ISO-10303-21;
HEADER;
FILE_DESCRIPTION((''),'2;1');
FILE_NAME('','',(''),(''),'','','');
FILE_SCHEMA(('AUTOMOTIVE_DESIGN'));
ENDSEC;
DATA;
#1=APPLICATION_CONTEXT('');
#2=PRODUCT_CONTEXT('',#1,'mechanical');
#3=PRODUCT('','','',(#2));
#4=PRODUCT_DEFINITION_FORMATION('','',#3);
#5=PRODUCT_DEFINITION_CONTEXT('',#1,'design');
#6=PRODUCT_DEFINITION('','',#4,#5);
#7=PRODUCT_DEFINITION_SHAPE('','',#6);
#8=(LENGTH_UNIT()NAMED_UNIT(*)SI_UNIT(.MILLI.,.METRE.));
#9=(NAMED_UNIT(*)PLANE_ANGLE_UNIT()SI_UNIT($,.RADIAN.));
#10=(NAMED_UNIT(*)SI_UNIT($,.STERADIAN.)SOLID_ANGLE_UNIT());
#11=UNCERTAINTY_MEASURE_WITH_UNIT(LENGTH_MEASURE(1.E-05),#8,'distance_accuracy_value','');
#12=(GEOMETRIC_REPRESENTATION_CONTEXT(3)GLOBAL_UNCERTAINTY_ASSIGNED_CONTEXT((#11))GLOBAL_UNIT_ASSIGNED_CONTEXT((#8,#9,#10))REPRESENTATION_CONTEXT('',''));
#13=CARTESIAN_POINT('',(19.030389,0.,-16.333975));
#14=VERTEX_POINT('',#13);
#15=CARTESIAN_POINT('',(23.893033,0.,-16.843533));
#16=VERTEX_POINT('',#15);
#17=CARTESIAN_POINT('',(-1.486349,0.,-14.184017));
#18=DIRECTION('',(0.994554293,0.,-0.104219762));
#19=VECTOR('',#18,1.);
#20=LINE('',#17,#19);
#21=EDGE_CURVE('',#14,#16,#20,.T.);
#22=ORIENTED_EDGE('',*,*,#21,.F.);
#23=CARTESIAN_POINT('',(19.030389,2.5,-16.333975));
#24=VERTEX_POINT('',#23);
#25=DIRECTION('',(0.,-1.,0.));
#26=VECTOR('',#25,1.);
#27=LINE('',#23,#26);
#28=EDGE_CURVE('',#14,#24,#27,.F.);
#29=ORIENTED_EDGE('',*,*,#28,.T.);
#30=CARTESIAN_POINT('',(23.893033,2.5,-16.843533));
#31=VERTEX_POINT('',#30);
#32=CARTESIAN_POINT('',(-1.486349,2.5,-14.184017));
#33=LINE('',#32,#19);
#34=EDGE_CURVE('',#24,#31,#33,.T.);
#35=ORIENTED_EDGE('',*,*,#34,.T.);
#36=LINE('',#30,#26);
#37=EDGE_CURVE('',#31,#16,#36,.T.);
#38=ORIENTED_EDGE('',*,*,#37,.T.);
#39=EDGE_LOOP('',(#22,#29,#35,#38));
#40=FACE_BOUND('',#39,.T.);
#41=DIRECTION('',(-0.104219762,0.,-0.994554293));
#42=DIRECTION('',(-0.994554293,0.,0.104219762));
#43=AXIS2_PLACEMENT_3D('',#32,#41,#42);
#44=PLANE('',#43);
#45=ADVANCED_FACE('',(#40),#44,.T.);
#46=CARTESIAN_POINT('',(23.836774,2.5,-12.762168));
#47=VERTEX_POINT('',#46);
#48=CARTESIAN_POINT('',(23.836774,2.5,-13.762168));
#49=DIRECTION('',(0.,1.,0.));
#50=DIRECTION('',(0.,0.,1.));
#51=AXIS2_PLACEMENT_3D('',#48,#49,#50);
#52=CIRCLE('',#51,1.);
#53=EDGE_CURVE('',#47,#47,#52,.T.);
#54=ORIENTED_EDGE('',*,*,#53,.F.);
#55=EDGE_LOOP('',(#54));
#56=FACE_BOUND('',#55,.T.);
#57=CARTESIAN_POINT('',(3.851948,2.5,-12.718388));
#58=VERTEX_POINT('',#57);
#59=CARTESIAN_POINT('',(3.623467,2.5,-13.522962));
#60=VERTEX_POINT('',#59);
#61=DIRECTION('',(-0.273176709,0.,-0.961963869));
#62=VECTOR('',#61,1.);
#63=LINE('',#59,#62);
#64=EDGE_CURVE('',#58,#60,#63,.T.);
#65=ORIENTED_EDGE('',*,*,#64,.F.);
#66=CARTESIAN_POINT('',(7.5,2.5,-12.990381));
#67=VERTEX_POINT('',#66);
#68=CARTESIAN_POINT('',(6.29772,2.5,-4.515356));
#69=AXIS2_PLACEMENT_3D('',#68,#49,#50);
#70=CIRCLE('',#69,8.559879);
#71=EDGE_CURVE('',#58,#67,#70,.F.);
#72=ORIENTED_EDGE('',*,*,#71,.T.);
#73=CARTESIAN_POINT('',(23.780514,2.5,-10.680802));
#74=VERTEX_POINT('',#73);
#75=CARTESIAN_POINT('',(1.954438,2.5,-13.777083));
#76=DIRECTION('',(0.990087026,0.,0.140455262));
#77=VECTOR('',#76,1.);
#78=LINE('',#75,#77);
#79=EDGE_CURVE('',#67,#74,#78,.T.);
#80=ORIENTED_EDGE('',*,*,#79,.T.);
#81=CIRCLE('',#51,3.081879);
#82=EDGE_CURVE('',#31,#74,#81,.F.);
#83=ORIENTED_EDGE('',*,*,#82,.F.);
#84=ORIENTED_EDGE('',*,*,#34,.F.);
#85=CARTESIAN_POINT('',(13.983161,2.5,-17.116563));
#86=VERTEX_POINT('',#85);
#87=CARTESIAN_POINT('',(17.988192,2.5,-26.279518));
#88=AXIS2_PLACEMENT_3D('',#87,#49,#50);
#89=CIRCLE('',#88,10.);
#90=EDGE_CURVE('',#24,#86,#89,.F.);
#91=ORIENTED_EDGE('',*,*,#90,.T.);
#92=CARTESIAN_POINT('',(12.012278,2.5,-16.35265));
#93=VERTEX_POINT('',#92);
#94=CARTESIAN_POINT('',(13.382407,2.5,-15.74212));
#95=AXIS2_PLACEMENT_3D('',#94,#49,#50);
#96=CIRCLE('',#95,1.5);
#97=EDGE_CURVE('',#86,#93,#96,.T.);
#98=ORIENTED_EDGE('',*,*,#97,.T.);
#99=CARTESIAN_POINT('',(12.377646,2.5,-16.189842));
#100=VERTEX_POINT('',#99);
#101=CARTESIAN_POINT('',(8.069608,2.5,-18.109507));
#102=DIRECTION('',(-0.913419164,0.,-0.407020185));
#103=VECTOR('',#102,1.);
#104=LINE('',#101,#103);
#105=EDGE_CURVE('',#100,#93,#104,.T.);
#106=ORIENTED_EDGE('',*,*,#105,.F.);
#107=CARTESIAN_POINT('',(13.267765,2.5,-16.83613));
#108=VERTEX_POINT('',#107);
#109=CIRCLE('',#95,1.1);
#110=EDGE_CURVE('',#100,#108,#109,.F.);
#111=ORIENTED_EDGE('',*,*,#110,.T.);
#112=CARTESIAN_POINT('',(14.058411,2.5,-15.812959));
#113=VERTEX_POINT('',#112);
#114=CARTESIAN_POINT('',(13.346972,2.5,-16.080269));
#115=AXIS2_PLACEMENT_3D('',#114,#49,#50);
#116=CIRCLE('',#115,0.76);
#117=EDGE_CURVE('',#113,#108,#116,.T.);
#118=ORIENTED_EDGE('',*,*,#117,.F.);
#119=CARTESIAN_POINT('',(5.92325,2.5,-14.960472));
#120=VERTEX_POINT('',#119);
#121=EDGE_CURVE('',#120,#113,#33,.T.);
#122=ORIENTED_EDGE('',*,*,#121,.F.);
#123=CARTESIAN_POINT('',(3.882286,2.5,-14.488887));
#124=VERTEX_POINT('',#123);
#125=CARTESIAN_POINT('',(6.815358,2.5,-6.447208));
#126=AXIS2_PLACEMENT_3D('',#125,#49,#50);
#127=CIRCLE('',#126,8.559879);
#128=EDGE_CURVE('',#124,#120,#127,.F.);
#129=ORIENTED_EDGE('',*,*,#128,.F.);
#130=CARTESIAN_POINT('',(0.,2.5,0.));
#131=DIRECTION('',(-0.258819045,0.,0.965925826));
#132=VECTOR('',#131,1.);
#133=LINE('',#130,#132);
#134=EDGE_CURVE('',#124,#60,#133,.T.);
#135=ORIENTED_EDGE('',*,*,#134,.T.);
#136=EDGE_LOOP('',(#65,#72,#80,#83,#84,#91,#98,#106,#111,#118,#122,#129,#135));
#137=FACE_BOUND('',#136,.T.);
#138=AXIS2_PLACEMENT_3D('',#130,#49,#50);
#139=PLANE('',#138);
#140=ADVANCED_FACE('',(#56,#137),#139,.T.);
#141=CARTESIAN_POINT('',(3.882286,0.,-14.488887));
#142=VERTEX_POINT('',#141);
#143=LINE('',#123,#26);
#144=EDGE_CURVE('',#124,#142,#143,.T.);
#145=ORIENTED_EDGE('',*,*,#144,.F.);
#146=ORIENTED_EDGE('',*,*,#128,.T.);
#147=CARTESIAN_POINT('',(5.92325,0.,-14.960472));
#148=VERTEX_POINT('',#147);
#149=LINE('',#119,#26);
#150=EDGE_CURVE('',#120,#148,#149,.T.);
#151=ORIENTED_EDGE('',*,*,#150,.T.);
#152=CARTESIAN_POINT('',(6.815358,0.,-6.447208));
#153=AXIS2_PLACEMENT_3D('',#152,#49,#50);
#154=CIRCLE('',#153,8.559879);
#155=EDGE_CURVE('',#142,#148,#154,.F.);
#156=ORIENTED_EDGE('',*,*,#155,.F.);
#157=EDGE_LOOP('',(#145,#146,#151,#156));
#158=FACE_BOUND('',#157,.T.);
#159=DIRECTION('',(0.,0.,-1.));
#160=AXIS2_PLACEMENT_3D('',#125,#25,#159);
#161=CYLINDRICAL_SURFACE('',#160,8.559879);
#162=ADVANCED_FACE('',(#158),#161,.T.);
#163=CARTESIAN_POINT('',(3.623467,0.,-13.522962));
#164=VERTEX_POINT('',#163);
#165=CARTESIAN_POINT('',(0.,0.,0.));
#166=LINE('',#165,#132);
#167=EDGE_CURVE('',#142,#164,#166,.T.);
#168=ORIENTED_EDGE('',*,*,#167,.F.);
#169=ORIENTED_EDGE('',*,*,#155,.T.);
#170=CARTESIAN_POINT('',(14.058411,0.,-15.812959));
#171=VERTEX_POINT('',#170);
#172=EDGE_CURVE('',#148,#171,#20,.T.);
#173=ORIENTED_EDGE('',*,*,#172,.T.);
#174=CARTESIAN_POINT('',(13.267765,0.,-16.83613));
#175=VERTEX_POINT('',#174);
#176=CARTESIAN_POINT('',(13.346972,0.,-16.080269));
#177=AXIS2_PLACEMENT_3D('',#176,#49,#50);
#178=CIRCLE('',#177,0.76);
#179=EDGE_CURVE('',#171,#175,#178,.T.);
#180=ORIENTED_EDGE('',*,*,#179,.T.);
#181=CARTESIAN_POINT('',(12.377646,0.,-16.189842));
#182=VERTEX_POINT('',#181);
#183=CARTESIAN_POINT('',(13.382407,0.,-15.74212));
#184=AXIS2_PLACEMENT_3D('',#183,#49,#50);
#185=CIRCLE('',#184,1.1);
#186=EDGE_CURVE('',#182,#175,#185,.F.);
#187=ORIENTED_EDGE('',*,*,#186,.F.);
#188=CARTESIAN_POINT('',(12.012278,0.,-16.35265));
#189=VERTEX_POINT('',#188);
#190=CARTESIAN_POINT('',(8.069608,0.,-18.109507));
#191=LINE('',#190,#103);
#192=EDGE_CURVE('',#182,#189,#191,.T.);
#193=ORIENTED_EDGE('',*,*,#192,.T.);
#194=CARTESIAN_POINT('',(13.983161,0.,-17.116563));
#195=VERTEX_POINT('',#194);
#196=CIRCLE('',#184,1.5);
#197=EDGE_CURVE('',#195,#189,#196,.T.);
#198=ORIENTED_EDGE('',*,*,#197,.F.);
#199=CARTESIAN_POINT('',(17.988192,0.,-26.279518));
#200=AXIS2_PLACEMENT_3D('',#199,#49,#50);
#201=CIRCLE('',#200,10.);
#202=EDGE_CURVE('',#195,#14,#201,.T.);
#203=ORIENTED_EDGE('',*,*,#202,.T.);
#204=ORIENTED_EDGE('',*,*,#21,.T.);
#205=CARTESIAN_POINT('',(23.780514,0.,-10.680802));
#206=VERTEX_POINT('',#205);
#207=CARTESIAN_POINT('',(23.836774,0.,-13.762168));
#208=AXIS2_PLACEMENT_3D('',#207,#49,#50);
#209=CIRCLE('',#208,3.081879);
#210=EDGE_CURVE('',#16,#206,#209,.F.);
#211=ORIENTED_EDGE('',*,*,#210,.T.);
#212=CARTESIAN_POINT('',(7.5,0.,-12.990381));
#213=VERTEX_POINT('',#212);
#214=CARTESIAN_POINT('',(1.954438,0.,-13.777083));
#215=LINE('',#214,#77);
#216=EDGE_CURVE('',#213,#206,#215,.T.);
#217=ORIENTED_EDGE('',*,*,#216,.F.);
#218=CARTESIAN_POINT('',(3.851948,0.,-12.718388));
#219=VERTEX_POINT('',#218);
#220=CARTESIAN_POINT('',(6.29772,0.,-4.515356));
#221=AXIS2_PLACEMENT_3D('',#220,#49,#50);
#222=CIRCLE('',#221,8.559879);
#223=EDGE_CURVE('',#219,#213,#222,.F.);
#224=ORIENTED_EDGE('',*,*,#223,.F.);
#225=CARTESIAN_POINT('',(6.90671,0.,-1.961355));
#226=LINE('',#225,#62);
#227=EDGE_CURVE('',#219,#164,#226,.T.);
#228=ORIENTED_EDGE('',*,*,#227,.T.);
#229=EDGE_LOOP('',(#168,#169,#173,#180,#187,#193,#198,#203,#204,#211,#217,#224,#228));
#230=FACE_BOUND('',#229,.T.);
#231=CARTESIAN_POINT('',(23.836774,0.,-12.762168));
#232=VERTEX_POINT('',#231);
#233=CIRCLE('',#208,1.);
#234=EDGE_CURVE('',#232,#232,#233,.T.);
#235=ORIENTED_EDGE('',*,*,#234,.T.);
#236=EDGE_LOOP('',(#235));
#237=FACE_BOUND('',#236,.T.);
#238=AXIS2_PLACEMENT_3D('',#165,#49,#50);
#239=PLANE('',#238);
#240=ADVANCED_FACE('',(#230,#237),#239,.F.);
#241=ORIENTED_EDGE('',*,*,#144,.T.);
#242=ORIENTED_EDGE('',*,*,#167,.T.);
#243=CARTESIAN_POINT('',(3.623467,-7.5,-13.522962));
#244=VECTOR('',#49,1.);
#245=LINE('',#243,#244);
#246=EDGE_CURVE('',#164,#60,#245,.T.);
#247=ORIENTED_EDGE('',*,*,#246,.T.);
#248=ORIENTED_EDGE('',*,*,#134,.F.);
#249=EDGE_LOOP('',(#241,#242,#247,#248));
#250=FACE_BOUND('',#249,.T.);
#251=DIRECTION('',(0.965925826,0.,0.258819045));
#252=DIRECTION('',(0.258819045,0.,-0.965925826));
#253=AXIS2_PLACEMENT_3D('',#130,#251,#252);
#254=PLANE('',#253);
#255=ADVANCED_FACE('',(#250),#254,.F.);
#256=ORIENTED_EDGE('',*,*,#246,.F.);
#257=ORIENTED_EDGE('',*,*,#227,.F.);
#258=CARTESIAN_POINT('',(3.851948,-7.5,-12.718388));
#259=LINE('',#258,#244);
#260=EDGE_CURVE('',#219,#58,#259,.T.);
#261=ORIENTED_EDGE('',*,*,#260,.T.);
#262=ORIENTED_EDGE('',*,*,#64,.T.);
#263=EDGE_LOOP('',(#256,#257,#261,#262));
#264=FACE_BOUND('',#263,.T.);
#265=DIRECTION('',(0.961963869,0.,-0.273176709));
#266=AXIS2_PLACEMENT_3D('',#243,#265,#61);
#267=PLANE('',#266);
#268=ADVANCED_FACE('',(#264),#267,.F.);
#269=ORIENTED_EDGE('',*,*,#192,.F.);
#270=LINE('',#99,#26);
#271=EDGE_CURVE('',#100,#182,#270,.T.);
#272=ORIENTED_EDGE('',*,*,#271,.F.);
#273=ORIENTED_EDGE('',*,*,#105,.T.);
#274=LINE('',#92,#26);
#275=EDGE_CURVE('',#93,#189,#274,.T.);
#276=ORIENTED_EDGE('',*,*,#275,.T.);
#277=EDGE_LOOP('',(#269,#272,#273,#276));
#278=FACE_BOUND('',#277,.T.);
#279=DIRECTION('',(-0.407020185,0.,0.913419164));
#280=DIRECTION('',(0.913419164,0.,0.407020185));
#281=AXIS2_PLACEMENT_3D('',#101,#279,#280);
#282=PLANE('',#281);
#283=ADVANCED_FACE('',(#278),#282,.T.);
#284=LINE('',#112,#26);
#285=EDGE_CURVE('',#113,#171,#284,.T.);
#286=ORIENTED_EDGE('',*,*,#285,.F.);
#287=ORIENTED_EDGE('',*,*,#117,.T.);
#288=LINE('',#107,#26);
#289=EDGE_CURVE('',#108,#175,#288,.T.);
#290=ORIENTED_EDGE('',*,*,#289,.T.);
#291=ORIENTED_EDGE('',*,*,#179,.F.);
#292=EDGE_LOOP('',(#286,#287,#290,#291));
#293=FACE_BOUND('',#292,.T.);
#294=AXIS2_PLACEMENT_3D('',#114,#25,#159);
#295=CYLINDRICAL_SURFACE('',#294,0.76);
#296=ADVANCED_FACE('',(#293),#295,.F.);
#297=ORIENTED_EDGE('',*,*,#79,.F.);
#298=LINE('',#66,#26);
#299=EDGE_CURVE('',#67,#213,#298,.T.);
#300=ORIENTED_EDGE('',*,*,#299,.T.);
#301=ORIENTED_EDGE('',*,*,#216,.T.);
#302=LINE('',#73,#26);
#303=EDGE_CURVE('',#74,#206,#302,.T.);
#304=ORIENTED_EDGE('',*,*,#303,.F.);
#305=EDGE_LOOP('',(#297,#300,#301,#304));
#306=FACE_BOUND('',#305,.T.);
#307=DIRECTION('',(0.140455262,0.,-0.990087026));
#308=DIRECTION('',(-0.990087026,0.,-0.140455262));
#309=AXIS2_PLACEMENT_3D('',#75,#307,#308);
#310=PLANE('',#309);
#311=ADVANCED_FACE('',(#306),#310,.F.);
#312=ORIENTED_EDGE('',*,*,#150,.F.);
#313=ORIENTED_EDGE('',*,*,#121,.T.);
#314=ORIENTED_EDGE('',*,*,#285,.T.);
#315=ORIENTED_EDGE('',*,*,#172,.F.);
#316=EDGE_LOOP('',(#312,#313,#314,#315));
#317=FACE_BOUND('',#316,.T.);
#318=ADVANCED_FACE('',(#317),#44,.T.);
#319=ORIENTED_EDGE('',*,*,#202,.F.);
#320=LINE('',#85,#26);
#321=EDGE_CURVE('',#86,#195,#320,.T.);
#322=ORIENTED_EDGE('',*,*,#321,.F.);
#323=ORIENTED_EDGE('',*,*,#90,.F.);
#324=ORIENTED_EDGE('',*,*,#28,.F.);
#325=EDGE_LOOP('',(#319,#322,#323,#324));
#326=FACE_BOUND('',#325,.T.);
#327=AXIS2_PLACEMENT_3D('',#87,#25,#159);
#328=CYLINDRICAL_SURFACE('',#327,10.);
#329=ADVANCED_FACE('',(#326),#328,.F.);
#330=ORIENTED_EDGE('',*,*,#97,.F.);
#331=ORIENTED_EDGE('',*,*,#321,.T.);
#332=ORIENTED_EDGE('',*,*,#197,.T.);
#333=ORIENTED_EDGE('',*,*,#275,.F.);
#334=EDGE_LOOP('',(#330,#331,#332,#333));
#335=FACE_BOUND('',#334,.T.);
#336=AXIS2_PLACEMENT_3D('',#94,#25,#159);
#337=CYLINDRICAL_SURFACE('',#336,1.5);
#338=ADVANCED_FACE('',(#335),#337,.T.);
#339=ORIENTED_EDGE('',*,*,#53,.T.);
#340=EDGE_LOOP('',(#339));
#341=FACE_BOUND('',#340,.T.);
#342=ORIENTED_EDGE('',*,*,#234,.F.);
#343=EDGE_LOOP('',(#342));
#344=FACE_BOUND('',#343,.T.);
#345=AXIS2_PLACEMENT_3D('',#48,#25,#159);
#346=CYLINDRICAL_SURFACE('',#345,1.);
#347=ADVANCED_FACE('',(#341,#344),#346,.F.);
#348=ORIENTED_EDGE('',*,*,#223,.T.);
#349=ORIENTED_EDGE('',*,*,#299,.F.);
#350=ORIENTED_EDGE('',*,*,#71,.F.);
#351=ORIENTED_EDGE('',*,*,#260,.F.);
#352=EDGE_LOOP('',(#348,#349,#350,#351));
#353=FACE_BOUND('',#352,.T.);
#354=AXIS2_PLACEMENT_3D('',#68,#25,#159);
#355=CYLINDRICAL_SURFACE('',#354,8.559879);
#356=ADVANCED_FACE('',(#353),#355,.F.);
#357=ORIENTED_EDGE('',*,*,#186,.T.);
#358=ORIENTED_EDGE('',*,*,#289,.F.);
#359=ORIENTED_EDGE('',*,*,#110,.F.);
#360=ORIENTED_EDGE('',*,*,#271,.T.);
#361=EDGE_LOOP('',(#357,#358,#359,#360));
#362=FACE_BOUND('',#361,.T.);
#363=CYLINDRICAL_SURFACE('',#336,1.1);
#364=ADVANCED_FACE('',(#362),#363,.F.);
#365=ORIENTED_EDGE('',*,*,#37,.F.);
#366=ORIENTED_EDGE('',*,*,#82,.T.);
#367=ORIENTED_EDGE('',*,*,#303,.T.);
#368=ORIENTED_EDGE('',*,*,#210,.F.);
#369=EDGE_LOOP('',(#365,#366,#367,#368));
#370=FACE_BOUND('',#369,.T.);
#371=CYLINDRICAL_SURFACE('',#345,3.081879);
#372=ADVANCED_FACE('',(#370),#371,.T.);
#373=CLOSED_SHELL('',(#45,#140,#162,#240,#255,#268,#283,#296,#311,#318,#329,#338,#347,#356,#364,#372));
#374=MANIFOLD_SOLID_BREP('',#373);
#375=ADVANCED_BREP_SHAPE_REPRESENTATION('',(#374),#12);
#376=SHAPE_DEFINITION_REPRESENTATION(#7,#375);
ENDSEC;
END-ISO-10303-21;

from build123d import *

# Parameters (mm, degrees)
SKETCH_2_R          = 1
EXTRUDE_1_DEPTH     = 2.5
CUT_EXTRUDE_1_DEPTH = 10
FILLET_1_R          = 10


with BuildPart() as part:
    # 草图2 → 凸台-拉伸1 (new body)
    with BuildSketch(Plane(origin=(0, 0, 0), x_dir=(1, 0, 0), z_dir=(0, 1, 0))):
        with BuildLine():
            Line((14.476416474, 15.856761921), (14.874238191, 15.898449826))
            ThreePointArc((14.874238191, 15.898449826), (13.617518302, 17.223579787), (12.012278006, 16.352650461))
            Line((12.012278006, 16.352650461), (12.377645672, 16.189842387))
            ThreePointArc((12.377645672, 16.189842387), (12.736119234, 16.632239525), (13.267765014, 16.836129905))
            ThreePointArc((13.267765014, 16.836129905), (14.074924495, 16.596765827), (14.476416474, 15.856761921))
        make_face()
        with BuildLine():
            ThreePointArc((13.267765014, 16.836129905), (13.948344657, 16.54497389), (14.058411092, 15.812958962))
            Line((14.058411092, 15.812958962), (14.476416474, 15.856761921))
            ThreePointArc((14.476416474, 15.856761921), (14.074924495, 16.596765827), (13.267765014, 16.836129905))
        make_face()
        with BuildLine():
            Line((8.01763809, 14.922232709), (7.5, 12.990381057))
            Line((7.5, 12.990381057), (23.780514318, 10.680802356))
            ThreePointArc((23.780514318, 10.680802356), (26.918139154, 13.705908304), (23.893033206, 16.84353314))
            Line((23.893033206, 16.84353314), (14.874238191, 15.898449826))
            Line((14.874238191, 15.898449826), (14.476416474, 15.856761921))
            Line((14.476416474, 15.856761921), (14.058411092, 15.812958962))
            Line((14.058411092, 15.812958962), (5.923249556, 14.96047197))
            ThreePointArc((5.923249556, 14.96047197), (6.971617953, 15.005660189), (8.01763809, 14.922232709))
        make_face()
        with Locations((23.836773762, 13.762167748)):
            Circle(SKETCH_2_R, mode=Mode.SUBTRACT)
        with BuildLine():
            ThreePointArc((3.882285677, 14.488887394), (5.923249556, 14.96047197), (8.01763809, 14.922232709))
            Line((8.01763809, 14.922232709), (7.5, 12.990381057))
            ThreePointArc((7.5, 12.990381057), (5.405611466, 13.028620317), (3.364647586, 12.557035742))
            Line((3.364647586, 12.557035742), (3.882285677, 14.488887394))
        make_face()
    extrude(amount=EXTRUDE_1_DEPTH)

    # 草图3 → 切除-拉伸1 (cut)
    with BuildSketch(Plane(origin=(0, 2.5, 0), x_dir=(1, 0, 0), z_dir=(0, 1, 0))):
        Polygon((3.623466631, 13.522961568), (3.851948064, 12.718387546), (3.364647586, 12.557035742), align=None)
    extrude(amount=-CUT_EXTRUDE_1_DEPTH, mode=Mode.SUBTRACT)

    # 圆角1
    fillet_1_edges = [part.edges().sort_by_distance(p)[0] for p in [
        (14.874238191, 1.25, -15.898449826),
    ]]
    fillet(fillet_1_edges, radius=FILLET_1_R)


solid = part.part
